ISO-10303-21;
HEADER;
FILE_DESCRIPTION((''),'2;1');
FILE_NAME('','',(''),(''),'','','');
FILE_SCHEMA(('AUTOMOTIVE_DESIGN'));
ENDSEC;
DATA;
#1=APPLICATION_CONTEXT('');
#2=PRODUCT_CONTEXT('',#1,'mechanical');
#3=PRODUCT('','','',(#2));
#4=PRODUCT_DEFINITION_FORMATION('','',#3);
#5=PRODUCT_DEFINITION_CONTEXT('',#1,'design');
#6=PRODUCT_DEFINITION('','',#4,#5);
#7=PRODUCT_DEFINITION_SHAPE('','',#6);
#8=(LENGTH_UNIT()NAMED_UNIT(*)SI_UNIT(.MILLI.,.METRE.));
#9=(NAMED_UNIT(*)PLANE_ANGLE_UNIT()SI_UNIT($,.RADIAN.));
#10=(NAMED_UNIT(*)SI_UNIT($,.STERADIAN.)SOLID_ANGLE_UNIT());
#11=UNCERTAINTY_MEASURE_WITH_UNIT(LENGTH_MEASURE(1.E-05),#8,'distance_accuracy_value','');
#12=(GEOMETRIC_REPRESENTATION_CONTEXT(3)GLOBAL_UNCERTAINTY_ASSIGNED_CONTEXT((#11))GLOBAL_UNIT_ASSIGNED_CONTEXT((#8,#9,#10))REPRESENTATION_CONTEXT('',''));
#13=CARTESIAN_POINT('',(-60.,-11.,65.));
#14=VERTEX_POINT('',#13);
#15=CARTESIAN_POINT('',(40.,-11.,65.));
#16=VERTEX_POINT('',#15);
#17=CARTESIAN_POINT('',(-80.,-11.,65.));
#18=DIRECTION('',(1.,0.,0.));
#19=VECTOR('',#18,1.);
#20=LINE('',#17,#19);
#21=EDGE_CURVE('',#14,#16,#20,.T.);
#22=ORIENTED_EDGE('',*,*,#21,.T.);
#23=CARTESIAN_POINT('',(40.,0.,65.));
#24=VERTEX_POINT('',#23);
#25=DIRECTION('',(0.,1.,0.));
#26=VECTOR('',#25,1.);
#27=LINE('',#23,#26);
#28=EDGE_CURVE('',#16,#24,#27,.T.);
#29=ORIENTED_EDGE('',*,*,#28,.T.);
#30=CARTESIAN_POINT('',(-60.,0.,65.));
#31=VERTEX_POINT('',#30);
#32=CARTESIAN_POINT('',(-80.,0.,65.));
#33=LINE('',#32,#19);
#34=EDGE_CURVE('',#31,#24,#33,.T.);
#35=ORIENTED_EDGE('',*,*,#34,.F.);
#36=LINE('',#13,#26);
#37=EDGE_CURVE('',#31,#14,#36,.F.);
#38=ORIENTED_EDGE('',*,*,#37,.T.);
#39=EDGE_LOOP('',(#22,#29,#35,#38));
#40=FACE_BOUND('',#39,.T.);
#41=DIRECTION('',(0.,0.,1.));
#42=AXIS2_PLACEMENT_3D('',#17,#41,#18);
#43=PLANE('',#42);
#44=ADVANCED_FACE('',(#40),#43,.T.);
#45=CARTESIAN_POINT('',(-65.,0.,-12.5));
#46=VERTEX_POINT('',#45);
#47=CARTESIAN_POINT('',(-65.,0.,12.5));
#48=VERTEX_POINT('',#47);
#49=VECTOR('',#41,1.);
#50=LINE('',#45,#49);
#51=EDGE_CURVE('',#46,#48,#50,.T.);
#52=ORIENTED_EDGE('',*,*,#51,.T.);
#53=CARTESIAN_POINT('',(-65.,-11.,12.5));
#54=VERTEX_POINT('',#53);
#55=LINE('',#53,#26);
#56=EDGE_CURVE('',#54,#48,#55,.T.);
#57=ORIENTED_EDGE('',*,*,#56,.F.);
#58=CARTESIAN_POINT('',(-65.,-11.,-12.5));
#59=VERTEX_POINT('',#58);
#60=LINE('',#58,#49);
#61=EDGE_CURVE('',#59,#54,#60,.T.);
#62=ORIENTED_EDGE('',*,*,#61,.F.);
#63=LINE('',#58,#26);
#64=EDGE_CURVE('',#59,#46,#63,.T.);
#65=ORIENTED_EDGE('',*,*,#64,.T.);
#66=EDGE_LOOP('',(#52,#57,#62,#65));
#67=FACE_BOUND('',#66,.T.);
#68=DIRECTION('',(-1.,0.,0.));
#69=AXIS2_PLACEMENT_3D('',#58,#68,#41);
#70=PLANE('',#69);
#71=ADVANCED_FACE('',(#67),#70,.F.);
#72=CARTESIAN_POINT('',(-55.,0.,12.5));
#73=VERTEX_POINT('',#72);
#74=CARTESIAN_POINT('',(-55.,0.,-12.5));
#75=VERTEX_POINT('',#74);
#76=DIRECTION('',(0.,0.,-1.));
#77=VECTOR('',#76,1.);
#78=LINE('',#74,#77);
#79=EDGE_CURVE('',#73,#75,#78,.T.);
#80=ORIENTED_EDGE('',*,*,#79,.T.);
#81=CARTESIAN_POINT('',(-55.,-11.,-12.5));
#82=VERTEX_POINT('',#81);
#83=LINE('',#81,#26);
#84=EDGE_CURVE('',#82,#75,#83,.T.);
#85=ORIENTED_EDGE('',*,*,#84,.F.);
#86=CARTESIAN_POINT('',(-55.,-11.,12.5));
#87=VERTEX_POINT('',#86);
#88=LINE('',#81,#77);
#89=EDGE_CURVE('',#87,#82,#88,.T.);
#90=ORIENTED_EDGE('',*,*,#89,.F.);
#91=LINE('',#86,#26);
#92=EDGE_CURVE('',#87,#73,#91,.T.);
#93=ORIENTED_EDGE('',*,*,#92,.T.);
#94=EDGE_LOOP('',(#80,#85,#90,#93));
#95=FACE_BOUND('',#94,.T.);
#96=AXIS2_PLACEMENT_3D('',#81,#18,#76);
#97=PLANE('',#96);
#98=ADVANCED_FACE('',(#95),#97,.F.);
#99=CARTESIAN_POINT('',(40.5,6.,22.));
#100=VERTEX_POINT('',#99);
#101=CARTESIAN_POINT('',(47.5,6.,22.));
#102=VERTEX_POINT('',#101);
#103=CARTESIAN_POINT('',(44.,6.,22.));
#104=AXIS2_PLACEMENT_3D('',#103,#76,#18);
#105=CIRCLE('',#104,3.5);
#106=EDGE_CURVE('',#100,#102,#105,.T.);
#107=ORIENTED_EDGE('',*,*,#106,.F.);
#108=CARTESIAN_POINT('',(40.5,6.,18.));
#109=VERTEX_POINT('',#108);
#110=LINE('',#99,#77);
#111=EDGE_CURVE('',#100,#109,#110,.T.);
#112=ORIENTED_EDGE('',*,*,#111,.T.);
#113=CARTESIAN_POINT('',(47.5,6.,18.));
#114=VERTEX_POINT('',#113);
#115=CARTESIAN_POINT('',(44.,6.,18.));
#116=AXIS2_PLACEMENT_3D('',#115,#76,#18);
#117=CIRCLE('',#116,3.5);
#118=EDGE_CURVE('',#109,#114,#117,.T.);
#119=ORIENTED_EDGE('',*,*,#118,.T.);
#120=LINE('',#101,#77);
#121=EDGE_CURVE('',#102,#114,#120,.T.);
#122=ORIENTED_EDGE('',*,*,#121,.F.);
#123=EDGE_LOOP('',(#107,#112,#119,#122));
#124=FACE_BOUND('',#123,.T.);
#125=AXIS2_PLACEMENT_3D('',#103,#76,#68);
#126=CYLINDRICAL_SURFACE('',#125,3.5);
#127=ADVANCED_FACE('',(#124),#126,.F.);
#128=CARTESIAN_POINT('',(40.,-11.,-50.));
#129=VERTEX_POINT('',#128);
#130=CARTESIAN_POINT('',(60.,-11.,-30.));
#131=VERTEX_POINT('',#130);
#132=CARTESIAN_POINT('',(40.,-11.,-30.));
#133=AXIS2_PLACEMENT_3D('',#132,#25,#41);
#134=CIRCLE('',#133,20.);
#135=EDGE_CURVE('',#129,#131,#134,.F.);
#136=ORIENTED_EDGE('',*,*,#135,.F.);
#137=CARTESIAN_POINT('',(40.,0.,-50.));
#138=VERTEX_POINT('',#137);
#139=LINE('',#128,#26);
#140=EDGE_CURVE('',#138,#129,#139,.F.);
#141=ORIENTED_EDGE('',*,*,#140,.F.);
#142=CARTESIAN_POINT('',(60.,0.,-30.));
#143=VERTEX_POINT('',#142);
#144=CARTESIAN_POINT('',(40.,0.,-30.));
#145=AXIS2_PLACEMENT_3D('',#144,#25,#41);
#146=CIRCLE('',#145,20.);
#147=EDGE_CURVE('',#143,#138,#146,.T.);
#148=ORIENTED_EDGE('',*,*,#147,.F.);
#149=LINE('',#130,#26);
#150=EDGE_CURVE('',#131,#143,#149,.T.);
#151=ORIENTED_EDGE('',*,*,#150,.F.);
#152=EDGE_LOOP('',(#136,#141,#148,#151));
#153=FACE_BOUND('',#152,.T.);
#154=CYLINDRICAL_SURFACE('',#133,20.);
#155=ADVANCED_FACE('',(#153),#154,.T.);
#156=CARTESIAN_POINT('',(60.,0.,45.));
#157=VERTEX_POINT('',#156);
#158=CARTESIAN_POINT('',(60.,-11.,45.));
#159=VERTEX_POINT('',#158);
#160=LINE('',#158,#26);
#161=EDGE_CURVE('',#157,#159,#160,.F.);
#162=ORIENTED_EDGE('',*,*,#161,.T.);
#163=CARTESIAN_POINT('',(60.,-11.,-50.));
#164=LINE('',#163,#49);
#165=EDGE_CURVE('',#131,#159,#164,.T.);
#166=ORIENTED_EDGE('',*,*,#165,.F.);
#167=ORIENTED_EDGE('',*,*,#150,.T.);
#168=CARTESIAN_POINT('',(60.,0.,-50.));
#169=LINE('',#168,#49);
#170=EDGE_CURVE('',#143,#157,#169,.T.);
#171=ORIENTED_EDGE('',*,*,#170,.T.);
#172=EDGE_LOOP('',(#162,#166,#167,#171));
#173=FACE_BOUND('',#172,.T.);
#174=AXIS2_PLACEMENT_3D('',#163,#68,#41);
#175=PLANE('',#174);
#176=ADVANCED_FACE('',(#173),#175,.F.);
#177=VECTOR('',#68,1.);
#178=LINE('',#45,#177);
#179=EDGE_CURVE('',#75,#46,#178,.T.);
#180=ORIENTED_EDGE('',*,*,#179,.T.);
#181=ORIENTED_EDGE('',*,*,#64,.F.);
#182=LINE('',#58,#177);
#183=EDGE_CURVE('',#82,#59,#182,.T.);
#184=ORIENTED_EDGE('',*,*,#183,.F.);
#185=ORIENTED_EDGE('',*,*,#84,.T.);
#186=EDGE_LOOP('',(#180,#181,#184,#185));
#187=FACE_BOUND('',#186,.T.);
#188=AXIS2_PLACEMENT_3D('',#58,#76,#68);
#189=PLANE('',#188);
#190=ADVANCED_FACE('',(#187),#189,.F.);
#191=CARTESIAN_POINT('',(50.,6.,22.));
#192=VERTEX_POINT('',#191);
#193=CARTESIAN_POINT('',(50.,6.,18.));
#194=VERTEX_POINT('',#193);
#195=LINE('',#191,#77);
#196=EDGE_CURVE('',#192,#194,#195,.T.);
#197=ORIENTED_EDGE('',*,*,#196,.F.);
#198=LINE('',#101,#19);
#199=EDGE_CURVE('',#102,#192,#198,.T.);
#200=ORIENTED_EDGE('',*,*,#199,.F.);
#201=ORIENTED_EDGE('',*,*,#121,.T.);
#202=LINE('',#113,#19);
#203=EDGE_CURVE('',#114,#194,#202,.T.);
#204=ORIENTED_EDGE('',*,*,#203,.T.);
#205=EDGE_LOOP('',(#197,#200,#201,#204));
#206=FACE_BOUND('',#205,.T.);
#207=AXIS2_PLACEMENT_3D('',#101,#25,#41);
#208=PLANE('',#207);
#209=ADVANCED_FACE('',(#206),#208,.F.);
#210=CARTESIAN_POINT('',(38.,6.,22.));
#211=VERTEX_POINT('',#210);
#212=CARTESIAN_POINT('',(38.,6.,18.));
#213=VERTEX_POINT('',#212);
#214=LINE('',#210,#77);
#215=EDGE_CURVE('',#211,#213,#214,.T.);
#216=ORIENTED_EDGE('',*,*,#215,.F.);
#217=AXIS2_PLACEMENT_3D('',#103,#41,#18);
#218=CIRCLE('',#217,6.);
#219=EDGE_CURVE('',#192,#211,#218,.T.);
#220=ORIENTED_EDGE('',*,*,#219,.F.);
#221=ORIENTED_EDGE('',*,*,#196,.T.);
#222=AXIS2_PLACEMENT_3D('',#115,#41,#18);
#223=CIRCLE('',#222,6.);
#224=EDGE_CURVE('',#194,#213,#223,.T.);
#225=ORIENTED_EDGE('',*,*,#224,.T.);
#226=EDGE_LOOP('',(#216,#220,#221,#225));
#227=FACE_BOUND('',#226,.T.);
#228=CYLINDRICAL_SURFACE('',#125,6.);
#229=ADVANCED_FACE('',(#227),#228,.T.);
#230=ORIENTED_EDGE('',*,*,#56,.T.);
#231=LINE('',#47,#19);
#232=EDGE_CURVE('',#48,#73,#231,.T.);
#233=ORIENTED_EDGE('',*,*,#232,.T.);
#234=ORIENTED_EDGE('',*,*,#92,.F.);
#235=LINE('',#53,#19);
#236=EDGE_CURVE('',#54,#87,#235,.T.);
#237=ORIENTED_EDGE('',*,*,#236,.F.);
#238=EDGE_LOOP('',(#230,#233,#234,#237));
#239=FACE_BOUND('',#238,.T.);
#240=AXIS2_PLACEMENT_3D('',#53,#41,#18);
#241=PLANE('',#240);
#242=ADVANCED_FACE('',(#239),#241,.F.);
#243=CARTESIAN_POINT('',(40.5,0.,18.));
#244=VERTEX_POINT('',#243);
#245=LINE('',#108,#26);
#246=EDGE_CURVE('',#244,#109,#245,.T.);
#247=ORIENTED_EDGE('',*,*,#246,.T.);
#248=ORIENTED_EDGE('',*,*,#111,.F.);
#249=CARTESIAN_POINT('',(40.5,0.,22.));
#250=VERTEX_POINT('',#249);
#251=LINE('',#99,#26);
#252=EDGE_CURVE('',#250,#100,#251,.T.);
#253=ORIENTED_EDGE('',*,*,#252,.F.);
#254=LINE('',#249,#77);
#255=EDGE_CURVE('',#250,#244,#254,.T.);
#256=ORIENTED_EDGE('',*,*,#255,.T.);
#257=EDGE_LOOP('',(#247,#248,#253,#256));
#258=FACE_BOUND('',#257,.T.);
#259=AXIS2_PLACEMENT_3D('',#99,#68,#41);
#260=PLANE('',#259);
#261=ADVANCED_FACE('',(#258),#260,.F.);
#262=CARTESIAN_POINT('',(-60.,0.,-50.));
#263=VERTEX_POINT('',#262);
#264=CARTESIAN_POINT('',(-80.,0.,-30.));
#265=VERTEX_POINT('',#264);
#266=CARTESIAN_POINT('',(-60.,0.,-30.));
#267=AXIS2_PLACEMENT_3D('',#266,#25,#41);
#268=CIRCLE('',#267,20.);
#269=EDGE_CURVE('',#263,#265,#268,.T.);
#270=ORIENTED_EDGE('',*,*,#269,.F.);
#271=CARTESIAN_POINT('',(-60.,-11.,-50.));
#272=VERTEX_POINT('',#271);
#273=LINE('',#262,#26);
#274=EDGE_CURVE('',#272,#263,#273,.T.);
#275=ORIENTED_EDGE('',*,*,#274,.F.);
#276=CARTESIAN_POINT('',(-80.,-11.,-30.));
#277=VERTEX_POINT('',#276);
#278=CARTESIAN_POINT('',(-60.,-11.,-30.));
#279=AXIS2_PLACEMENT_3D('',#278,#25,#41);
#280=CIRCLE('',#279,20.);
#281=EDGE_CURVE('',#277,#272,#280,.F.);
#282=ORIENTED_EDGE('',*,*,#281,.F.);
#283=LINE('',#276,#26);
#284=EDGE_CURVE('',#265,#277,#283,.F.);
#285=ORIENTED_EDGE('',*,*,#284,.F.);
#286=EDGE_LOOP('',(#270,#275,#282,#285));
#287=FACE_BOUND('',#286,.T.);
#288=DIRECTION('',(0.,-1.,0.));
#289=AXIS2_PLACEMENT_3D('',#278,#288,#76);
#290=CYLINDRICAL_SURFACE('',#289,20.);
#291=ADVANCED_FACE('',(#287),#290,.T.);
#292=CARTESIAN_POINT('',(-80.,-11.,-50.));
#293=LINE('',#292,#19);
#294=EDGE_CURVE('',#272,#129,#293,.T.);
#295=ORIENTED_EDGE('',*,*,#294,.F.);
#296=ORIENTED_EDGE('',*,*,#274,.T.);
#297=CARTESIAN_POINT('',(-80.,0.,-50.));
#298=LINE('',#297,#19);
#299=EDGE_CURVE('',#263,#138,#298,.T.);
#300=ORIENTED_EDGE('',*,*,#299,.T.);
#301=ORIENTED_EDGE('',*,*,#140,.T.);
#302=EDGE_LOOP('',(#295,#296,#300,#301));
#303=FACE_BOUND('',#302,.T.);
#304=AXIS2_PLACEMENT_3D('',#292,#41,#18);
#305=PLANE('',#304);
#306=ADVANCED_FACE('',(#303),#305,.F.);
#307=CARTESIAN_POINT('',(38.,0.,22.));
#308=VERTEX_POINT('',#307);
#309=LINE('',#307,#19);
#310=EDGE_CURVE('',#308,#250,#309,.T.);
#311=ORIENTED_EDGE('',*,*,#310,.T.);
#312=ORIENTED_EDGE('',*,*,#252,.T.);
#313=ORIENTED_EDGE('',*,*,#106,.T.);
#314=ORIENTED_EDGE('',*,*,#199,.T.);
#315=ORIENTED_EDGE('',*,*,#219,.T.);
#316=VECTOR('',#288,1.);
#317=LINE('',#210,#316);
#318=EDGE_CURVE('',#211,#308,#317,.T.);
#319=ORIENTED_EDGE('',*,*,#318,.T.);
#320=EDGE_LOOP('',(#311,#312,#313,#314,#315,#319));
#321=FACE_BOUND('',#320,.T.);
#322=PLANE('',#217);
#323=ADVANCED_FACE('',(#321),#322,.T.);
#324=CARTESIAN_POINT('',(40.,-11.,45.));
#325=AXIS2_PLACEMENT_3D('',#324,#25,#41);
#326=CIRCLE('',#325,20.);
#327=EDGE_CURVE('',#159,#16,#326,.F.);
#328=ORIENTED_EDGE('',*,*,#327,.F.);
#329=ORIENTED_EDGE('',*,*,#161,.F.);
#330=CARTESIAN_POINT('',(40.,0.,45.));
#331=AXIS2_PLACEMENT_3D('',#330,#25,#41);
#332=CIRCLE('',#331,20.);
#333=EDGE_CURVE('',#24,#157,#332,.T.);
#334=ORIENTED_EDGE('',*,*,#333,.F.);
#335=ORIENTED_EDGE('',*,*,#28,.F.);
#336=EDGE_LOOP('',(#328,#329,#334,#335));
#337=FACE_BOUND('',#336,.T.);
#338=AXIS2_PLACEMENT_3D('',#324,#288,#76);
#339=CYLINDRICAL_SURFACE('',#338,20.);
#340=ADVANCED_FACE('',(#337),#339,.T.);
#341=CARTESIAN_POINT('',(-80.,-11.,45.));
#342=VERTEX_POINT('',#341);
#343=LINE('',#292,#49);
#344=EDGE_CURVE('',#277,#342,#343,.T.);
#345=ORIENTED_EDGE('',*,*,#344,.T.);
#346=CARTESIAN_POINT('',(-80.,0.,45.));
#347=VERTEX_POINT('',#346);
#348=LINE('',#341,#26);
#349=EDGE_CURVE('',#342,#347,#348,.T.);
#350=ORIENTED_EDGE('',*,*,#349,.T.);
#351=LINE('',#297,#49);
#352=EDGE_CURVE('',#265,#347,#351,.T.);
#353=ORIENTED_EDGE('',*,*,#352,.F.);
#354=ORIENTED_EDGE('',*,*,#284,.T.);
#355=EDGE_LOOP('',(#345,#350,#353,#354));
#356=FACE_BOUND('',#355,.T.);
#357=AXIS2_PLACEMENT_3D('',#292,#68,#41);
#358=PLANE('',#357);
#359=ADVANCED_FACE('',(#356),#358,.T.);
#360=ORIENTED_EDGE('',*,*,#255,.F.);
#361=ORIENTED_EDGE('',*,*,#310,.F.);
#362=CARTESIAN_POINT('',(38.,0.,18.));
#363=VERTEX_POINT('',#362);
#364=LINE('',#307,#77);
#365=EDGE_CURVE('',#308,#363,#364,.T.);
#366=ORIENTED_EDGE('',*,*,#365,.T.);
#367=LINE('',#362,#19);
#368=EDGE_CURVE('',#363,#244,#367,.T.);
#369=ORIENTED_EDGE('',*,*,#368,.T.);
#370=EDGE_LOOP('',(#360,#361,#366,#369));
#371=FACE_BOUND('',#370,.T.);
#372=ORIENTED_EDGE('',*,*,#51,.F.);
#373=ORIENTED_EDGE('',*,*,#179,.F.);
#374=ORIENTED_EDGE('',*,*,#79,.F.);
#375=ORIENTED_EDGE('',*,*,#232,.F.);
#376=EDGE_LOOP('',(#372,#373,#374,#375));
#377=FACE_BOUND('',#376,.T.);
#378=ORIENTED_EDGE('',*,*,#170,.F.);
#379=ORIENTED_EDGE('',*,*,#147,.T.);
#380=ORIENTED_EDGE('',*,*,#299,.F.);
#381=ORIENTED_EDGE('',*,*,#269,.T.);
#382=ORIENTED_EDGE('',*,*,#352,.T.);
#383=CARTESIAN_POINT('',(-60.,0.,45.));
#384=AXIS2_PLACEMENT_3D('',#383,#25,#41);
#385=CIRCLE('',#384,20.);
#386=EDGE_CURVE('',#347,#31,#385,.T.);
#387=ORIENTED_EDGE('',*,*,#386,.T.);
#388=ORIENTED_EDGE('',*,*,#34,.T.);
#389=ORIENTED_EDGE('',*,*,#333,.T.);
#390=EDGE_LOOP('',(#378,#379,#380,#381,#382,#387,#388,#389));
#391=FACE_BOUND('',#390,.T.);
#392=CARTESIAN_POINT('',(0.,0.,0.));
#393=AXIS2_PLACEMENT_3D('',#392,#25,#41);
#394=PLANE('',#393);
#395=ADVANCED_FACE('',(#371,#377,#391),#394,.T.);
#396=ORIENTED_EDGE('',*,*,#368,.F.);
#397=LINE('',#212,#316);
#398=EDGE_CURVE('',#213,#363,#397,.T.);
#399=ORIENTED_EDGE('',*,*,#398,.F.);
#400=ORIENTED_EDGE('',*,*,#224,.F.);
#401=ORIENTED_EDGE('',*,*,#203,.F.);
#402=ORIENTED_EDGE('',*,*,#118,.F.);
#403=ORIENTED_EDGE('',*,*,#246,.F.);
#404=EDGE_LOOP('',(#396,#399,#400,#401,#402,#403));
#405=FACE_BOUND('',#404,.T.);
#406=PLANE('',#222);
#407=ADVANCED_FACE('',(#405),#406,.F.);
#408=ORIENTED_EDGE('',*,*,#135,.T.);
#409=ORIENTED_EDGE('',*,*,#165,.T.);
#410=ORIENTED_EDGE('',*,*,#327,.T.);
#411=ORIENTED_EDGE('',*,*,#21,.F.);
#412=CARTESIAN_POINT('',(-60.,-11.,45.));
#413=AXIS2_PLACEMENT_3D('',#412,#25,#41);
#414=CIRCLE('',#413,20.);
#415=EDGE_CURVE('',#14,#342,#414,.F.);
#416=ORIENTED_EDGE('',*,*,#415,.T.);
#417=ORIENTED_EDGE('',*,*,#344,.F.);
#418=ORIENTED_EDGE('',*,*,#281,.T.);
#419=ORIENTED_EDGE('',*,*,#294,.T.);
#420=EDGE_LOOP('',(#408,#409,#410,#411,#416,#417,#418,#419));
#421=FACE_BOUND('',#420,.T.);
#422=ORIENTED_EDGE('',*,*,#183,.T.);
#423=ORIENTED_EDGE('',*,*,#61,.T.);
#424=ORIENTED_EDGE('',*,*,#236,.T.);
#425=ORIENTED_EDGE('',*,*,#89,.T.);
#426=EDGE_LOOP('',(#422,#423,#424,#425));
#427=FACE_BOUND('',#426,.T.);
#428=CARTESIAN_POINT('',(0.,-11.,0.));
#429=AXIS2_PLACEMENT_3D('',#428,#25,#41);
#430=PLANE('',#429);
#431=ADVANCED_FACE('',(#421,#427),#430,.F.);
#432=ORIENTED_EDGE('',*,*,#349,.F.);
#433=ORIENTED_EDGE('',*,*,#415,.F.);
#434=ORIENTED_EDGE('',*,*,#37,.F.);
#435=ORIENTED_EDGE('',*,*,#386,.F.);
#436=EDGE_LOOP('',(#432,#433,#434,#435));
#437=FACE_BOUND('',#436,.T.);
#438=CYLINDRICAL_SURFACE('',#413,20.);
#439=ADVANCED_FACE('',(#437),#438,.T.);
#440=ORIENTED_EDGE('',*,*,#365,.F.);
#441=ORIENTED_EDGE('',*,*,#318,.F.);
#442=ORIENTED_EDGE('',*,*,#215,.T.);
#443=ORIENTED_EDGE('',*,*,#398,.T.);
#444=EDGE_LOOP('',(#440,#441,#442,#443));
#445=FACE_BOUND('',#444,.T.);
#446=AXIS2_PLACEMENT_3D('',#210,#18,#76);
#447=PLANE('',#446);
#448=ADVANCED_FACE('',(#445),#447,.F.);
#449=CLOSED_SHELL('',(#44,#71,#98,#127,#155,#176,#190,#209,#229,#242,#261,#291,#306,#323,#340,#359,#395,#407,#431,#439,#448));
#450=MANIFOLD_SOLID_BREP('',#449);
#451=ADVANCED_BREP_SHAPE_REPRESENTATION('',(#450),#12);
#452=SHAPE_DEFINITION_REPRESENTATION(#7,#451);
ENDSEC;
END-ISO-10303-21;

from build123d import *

# Parameters (mm, degrees)
SKETCH2_W           = 140
SKETCH2_H           = 115
BOSS_EXTRUDE1_DEPTH = 11
SKETCH3_W           = 10
SKETCH3_H           = 25
CUT_EXTRUDE1_DEPTH  = 104.662915259
FILLET1_R           = 20
BOSS_EXTRUDE2_DEPTH = 2


with BuildPart() as part:
    # Sketch2 → Boss-Extrude1 (new body)
    with BuildSketch(Plane(origin=(0, 0, 0), x_dir=(1, 0, 0), z_dir=(0, 1, 0))):
        with Locations((-10, -7.5)):
            Rectangle(SKETCH2_W, SKETCH2_H)
    extrude(amount=-BOSS_EXTRUDE1_DEPTH)

    # Sketch3 → Cut-Extrude1 (cut, through all)
    with BuildSketch(Plane(origin=(0, 0, 0), x_dir=(1, 0, 0), z_dir=(0, 1, 0))):
        with Locations((-60, 0)):
            Rectangle(SKETCH3_W, SKETCH3_H)
    extrude(amount=-CUT_EXTRUDE1_DEPTH, mode=Mode.SUBTRACT)

    # Fillet1
    fillet1_edges = [part.edges().sort_by_distance(p)[0] for p in [
        (-80, -5.5, -50),
        (60, -5.5, -50),
        (60, -5.5, 65),
        (-80, -5.5, 65),
    ]]
    fillet(fillet1_edges, radius=FILLET1_R)

    # Sketch4 → Boss-Extrude2 (add, symmetric)
    with BuildSketch(Plane.XY.offset(20)):
        with BuildLine():
            Line((38, 6), (38, 0))
            Line((38, 0), (40.5, 0))
            Line((40.5, 0), (40.5, 6))
            ThreePointArc((40.5, 6), (44, 9.5), (47.5, 6))
            Line((47.5, 6), (50, 6))
            ThreePointArc((50, 6), (44, 12), (38, 6))
        make_face()
    extrude(amount=BOSS_EXTRUDE2_DEPTH, both=True)


solid = part.part
